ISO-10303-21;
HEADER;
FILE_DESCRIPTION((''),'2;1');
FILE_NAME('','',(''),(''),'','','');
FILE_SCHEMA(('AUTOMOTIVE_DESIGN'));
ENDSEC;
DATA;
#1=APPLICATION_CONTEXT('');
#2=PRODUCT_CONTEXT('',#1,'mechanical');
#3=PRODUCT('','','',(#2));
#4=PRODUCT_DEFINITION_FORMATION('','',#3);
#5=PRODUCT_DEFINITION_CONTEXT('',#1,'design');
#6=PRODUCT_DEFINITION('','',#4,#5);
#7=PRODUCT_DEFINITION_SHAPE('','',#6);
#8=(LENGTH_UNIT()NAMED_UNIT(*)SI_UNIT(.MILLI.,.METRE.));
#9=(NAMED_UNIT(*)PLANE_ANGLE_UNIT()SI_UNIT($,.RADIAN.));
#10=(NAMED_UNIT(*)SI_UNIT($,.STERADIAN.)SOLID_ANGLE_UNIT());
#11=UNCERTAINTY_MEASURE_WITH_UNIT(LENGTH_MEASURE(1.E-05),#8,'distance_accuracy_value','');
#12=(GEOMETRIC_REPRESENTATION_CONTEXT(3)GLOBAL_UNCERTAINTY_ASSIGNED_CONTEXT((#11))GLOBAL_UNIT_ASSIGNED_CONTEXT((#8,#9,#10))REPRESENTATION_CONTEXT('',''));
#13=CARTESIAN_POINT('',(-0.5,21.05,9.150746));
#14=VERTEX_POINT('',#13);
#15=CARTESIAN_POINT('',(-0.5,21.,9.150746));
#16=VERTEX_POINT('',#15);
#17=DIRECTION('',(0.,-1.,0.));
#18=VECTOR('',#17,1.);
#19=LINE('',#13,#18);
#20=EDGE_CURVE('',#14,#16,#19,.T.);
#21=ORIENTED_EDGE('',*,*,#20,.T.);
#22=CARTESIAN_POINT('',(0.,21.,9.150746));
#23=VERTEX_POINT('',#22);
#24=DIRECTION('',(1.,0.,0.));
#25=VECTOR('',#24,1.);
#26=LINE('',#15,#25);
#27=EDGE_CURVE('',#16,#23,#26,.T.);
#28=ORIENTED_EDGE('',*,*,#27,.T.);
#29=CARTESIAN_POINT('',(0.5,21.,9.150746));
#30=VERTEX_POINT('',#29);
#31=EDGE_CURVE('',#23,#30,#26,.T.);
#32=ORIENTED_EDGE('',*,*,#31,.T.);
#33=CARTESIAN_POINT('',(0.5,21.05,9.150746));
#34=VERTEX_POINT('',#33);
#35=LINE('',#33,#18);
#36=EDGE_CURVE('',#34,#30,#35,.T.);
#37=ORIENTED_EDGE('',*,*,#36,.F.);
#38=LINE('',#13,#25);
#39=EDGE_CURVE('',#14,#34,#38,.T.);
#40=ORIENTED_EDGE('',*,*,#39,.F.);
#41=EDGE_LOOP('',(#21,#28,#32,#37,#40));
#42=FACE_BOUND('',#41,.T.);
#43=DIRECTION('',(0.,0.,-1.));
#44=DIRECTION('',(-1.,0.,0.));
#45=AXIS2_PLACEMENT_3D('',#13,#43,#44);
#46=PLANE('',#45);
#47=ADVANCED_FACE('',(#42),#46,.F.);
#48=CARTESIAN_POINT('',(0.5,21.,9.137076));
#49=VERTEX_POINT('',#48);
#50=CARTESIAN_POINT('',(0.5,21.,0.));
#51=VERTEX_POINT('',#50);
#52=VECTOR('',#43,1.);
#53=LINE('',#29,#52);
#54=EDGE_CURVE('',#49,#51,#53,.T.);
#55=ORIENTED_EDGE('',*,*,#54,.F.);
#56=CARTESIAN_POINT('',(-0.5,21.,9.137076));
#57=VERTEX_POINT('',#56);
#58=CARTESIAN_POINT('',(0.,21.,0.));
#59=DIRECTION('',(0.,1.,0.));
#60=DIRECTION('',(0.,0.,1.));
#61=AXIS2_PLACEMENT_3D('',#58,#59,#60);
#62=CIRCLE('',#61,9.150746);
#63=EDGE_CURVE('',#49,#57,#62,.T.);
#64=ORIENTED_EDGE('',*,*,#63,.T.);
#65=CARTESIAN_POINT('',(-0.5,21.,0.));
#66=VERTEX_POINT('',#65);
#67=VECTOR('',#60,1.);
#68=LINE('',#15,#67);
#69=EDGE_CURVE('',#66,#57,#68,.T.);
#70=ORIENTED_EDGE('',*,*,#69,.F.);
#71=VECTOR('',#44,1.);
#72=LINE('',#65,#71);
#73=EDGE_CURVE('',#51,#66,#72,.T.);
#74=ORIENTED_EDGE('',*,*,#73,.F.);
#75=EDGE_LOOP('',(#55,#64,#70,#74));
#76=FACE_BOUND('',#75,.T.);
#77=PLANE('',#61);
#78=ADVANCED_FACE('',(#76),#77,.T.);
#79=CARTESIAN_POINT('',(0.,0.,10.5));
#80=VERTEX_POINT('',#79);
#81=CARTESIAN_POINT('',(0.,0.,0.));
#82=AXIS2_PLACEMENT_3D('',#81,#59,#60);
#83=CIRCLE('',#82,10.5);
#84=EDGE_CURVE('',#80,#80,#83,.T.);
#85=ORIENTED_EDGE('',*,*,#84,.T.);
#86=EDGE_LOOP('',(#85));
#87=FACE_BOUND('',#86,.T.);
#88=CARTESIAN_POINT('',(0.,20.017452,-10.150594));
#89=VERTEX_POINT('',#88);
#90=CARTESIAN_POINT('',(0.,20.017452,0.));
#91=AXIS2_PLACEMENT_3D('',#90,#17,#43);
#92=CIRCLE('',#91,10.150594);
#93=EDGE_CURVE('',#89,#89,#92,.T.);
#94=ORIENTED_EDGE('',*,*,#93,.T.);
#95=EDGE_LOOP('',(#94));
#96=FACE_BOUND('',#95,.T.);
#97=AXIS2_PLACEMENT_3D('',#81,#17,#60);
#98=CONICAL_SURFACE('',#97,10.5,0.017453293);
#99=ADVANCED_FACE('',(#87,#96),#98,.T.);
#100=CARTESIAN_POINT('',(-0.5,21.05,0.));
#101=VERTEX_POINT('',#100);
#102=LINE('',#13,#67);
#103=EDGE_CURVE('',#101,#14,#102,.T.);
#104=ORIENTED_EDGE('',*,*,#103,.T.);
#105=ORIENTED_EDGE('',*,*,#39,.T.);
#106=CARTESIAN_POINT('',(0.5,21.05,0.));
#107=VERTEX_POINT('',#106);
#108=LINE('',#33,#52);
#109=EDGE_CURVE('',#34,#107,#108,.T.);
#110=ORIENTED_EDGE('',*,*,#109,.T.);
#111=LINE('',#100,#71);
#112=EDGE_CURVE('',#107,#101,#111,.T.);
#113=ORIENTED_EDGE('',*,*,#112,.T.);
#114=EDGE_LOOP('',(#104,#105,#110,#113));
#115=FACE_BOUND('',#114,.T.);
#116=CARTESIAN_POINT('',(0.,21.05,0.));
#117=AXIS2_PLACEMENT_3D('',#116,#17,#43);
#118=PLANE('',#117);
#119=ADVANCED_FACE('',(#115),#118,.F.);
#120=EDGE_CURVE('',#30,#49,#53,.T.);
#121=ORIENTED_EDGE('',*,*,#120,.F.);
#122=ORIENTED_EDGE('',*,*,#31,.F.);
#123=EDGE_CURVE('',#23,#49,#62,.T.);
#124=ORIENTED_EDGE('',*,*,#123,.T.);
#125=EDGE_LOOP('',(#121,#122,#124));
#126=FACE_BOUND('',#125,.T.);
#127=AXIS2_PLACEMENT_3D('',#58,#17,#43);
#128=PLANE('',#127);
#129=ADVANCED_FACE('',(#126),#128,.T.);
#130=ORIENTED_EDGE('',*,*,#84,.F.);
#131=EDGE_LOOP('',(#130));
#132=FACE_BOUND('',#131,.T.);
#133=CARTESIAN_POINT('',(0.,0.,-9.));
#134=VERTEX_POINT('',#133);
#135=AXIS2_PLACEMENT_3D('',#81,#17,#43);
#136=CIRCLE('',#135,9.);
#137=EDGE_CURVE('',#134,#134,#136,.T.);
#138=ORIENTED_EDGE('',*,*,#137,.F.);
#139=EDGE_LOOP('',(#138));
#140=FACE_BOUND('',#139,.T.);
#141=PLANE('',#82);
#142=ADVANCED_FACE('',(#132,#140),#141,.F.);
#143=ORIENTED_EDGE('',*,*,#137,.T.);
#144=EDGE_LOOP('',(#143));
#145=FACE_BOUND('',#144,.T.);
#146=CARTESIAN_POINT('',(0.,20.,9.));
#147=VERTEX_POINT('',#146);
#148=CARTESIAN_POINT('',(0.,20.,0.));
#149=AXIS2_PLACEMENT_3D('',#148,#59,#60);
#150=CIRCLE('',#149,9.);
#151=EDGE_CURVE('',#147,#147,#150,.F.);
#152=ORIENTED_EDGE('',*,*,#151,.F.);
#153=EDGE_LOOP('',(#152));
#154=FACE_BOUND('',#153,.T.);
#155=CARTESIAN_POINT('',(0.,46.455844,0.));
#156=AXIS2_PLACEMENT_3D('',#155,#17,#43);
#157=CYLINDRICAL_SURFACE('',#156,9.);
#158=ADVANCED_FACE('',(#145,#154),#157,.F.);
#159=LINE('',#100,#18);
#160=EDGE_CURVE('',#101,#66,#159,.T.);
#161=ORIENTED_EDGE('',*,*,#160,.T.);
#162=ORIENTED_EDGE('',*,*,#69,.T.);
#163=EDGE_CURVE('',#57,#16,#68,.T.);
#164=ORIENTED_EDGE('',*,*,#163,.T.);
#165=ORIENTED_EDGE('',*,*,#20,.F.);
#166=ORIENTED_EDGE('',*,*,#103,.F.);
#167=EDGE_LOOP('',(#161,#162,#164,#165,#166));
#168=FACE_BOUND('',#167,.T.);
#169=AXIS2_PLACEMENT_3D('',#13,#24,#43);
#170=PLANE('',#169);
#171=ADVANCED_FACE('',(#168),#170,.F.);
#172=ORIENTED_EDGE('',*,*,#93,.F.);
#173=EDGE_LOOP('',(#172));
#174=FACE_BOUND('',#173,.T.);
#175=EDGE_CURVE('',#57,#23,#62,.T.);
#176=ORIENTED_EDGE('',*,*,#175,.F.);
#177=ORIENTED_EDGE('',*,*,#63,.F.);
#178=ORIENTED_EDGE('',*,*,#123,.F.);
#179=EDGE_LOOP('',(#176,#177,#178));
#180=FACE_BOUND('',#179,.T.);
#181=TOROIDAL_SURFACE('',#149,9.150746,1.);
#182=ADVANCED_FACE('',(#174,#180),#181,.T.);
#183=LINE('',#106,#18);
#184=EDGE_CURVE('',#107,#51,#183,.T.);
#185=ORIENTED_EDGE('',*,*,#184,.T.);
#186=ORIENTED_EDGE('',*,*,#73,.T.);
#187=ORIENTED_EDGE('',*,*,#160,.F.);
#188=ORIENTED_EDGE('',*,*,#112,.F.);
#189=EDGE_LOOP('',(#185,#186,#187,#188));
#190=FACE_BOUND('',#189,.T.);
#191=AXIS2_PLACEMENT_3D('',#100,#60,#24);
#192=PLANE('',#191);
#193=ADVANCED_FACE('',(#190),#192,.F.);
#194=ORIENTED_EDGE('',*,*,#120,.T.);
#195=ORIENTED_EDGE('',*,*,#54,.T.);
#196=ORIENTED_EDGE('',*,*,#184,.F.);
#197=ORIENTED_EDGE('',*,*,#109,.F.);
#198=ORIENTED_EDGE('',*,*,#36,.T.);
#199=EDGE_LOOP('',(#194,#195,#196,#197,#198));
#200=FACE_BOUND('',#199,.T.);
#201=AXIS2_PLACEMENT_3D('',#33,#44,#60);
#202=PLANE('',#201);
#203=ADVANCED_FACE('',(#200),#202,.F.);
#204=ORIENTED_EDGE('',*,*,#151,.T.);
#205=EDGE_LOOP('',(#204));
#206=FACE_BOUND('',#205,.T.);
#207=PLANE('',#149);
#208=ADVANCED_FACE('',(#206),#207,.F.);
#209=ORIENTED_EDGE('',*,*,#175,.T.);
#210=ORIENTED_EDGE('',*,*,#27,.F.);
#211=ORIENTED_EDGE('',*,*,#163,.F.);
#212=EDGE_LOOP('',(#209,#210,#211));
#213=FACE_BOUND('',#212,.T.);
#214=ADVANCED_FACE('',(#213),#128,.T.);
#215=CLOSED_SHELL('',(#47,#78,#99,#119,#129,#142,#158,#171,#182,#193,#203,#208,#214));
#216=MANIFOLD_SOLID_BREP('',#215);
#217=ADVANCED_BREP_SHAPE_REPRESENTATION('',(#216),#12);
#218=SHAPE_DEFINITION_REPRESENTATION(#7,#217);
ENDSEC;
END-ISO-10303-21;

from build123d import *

# Parameters (mm, degrees)
SKETCH1_R           = 10.5
BOSS_EXTRUDE1_DEPTH = 21
BOSS_EXTRUDE1_TAPER = 1
SKETCH2_R           = 9
CUT_EXTRUDE1_DEPTH  = 20
FILLET1_R           = 1
SKETCH3_W           = 1
SKETCH3_H           = 9.150746373
BOSS_EXTRUDE2_DEPTH = 0.05


with BuildPart() as part:
    # Sketch1 → Boss-Extrude1 (new body)
    with BuildSketch(Plane(origin=(0, 0, 0), x_dir=(1, 0, 0), z_dir=(0, 1, 0))):
        Circle(SKETCH1_R)
    extrude(amount=BOSS_EXTRUDE1_DEPTH, taper=BOSS_EXTRUDE1_TAPER)

    # Sketch2 → Cut-Extrude1 (cut)
    with BuildSketch(Plane.XZ):
        Circle(SKETCH2_R)
    extrude(amount=-CUT_EXTRUDE1_DEPTH, mode=Mode.SUBTRACT)

    # Fillet1
    fillet1_edges = [part.edges().sort_by_distance(p)[0] for p in [
        (-10.133443637, 21, 0),
    ]]
    fillet(fillet1_edges, radius=FILLET1_R)

    # Sketch3 → Boss-Extrude2 (add)
    with BuildSketch(Plane(origin=(0, 21, 0), x_dir=(1, 0, 0), z_dir=(0, 1, 0))):
        with Locations((0, -4.575373187)):
            Rectangle(SKETCH3_W, SKETCH3_H)
    extrude(amount=BOSS_EXTRUDE2_DEPTH)


solid = part.part
